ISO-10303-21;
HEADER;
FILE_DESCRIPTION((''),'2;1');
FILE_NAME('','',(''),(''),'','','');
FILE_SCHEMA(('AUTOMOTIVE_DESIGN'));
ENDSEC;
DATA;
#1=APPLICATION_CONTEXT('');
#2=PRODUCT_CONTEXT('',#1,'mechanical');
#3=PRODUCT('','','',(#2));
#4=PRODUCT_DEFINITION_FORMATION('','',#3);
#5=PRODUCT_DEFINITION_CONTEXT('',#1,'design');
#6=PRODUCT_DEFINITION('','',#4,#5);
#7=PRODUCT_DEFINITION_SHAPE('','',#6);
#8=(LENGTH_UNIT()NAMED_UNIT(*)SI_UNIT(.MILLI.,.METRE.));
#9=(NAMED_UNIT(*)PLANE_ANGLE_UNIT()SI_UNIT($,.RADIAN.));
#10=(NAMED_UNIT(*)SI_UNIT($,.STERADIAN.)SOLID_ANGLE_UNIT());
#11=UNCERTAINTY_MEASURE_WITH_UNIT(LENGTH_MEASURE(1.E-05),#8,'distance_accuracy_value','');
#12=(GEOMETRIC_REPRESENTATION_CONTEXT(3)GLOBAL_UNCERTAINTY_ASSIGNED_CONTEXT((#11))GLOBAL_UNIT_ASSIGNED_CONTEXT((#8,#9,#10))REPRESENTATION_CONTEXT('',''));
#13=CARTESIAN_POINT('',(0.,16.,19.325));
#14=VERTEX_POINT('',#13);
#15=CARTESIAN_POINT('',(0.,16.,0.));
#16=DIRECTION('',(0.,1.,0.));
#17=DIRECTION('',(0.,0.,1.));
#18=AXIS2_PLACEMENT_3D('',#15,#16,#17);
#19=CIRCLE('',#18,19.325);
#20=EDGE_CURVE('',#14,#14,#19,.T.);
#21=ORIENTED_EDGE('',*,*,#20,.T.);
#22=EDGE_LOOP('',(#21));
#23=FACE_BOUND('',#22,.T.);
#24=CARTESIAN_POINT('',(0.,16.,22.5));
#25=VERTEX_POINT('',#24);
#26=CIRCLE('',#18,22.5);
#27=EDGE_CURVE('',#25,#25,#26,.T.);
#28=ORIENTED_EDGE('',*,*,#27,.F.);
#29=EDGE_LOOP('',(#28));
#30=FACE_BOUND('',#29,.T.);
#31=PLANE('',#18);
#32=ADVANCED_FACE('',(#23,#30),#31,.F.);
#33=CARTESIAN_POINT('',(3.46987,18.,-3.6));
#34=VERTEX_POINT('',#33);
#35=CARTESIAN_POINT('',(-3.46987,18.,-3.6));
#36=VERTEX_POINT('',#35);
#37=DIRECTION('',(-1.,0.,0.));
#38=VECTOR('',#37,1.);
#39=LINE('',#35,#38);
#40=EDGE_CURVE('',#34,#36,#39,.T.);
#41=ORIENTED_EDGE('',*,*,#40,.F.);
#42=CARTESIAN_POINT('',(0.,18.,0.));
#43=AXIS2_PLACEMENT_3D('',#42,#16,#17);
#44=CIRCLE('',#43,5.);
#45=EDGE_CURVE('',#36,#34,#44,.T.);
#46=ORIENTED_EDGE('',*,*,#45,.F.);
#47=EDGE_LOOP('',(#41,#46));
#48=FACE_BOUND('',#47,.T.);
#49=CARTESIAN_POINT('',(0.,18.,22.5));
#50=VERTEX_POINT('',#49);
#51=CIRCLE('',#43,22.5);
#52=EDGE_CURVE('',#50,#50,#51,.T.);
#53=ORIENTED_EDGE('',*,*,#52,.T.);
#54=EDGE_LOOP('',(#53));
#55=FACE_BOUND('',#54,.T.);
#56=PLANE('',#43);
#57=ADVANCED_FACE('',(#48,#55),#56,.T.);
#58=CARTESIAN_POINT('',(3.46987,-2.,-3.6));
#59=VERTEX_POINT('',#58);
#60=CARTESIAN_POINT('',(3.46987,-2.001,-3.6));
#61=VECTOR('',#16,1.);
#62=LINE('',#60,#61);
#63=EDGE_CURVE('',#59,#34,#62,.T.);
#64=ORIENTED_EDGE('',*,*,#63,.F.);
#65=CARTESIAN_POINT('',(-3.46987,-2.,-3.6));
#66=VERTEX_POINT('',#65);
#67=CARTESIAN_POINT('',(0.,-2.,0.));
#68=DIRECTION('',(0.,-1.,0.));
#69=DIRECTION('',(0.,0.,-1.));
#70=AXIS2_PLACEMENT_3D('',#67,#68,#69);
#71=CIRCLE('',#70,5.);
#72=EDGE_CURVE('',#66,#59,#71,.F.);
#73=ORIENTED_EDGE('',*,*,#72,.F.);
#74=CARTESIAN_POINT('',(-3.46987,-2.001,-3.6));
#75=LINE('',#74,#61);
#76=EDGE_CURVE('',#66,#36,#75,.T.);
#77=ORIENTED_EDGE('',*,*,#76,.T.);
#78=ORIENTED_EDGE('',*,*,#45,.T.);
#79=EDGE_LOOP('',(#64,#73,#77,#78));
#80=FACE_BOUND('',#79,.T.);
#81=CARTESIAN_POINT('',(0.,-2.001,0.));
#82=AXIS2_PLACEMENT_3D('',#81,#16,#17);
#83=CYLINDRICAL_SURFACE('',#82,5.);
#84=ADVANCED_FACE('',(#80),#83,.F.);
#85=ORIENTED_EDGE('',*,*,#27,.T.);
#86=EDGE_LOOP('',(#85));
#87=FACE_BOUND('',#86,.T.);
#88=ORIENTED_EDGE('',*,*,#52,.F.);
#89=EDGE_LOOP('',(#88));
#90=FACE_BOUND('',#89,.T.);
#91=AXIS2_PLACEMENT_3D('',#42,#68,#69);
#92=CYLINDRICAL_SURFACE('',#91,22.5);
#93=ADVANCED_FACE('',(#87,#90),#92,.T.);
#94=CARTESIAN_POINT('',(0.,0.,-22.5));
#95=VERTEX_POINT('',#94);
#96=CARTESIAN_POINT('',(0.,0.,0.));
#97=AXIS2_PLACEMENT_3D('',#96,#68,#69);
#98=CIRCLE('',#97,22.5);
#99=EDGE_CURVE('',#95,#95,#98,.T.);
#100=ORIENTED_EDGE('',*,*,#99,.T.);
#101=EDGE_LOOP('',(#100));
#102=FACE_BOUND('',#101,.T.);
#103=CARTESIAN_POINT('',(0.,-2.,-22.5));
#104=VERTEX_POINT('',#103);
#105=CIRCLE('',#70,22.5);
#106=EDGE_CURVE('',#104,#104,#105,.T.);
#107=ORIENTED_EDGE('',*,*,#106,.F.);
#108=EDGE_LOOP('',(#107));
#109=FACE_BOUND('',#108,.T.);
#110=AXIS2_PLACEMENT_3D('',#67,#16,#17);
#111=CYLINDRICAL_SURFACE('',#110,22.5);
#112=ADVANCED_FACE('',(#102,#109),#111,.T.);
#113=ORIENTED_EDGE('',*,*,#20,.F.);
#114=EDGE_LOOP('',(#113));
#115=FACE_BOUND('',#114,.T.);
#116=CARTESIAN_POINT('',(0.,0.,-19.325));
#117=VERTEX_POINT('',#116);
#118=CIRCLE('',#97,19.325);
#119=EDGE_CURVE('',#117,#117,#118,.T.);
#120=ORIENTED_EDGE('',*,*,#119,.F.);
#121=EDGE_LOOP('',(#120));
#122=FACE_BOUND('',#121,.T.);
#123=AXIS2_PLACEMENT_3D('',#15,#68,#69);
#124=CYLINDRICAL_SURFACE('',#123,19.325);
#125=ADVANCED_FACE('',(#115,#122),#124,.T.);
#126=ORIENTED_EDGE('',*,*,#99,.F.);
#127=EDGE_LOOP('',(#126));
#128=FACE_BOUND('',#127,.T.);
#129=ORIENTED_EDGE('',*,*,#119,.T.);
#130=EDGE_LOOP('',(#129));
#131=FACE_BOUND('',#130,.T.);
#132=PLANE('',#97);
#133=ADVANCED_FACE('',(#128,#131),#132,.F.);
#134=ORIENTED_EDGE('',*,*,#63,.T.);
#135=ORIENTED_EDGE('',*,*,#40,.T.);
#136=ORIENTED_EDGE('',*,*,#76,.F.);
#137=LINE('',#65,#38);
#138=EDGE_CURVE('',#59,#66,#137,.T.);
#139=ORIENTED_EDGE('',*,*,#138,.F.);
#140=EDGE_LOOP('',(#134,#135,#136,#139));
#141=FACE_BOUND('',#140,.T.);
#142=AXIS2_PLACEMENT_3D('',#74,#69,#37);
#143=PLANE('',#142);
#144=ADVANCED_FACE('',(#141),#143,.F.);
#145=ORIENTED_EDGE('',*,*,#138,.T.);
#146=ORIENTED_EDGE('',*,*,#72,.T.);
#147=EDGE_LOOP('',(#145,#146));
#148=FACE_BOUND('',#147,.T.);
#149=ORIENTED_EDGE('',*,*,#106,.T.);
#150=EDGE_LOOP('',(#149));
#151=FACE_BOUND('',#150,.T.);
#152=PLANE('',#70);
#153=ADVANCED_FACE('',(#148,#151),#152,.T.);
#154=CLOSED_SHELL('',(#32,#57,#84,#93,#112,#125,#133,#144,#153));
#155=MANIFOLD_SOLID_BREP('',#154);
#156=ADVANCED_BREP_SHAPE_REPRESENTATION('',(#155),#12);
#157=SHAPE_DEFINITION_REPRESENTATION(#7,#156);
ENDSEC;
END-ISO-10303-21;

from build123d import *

# Parameters (mm, degrees)
SKETCH_1_R          = 19.325
SKETCH_1_R_2        = 2.5
EXTRUDE_1_DEPTH     = 16
SKETCH_2_R          = 22.5
SKETCH_2_R_2        = 2.5
EXTRUDE_2_DEPTH     = 2
SKETCH_3_R          = 22.5
SKETCH_3_R_2        = 2.5
EXTRUDE_3_DEPTH     = 2
CUT_EXTRUDE_1_REACH = 22


with BuildPart() as part:
    # 草图1 → 凸台-拉伸1 (new body)
    with BuildSketch(Plane(origin=(0, 0, 0), x_dir=(1, 0, 0), z_dir=(0, 1, 0))):
        Circle(SKETCH_1_R)
        Circle(SKETCH_1_R_2, mode=Mode.SUBTRACT)
    extrude(amount=EXTRUDE_1_DEPTH)

    # 草图2 → 凸台-拉伸2 (add)
    with BuildSketch(Plane(origin=(0, 16, 0), x_dir=(1, 0, 0), z_dir=(0, 1, 0))):
        Circle(SKETCH_2_R)
        Circle(SKETCH_2_R_2, mode=Mode.SUBTRACT)
    extrude(amount=EXTRUDE_2_DEPTH)

    # 草图3 → 凸台-拉伸3 (add)
    with BuildSketch(Plane.XZ):
        Circle(SKETCH_3_R)
        Circle(SKETCH_3_R_2, mode=Mode.SUBTRACT)
    extrude(amount=EXTRUDE_3_DEPTH)

    # 草图4 → 切除-拉伸1 (cut, up to next)
    with BuildSketch(Plane(origin=(0, 18, 0), x_dir=(1, 0, 0), z_dir=(0, 1, 0)), mode=Mode.PRIVATE) as cut_extrude_1_sk1:
        with BuildLine():
            Line((-3.469870315, 3.6), (3.469870315, 3.6))
            ThreePointArc((3.469870315, 3.6), (0, -5), (-3.469870315, 3.6))
        make_face()
    cut_extrude_1_tool1 = extrude(cut_extrude_1_sk1.sketch, amount=-CUT_EXTRUDE_1_REACH, mode=Mode.PRIVATE) & part.part
    add(cut_extrude_1_tool1.solids().sort_by_distance((0, 18, 0.387599))[0], mode=Mode.SUBTRACT)


solid = part.part
